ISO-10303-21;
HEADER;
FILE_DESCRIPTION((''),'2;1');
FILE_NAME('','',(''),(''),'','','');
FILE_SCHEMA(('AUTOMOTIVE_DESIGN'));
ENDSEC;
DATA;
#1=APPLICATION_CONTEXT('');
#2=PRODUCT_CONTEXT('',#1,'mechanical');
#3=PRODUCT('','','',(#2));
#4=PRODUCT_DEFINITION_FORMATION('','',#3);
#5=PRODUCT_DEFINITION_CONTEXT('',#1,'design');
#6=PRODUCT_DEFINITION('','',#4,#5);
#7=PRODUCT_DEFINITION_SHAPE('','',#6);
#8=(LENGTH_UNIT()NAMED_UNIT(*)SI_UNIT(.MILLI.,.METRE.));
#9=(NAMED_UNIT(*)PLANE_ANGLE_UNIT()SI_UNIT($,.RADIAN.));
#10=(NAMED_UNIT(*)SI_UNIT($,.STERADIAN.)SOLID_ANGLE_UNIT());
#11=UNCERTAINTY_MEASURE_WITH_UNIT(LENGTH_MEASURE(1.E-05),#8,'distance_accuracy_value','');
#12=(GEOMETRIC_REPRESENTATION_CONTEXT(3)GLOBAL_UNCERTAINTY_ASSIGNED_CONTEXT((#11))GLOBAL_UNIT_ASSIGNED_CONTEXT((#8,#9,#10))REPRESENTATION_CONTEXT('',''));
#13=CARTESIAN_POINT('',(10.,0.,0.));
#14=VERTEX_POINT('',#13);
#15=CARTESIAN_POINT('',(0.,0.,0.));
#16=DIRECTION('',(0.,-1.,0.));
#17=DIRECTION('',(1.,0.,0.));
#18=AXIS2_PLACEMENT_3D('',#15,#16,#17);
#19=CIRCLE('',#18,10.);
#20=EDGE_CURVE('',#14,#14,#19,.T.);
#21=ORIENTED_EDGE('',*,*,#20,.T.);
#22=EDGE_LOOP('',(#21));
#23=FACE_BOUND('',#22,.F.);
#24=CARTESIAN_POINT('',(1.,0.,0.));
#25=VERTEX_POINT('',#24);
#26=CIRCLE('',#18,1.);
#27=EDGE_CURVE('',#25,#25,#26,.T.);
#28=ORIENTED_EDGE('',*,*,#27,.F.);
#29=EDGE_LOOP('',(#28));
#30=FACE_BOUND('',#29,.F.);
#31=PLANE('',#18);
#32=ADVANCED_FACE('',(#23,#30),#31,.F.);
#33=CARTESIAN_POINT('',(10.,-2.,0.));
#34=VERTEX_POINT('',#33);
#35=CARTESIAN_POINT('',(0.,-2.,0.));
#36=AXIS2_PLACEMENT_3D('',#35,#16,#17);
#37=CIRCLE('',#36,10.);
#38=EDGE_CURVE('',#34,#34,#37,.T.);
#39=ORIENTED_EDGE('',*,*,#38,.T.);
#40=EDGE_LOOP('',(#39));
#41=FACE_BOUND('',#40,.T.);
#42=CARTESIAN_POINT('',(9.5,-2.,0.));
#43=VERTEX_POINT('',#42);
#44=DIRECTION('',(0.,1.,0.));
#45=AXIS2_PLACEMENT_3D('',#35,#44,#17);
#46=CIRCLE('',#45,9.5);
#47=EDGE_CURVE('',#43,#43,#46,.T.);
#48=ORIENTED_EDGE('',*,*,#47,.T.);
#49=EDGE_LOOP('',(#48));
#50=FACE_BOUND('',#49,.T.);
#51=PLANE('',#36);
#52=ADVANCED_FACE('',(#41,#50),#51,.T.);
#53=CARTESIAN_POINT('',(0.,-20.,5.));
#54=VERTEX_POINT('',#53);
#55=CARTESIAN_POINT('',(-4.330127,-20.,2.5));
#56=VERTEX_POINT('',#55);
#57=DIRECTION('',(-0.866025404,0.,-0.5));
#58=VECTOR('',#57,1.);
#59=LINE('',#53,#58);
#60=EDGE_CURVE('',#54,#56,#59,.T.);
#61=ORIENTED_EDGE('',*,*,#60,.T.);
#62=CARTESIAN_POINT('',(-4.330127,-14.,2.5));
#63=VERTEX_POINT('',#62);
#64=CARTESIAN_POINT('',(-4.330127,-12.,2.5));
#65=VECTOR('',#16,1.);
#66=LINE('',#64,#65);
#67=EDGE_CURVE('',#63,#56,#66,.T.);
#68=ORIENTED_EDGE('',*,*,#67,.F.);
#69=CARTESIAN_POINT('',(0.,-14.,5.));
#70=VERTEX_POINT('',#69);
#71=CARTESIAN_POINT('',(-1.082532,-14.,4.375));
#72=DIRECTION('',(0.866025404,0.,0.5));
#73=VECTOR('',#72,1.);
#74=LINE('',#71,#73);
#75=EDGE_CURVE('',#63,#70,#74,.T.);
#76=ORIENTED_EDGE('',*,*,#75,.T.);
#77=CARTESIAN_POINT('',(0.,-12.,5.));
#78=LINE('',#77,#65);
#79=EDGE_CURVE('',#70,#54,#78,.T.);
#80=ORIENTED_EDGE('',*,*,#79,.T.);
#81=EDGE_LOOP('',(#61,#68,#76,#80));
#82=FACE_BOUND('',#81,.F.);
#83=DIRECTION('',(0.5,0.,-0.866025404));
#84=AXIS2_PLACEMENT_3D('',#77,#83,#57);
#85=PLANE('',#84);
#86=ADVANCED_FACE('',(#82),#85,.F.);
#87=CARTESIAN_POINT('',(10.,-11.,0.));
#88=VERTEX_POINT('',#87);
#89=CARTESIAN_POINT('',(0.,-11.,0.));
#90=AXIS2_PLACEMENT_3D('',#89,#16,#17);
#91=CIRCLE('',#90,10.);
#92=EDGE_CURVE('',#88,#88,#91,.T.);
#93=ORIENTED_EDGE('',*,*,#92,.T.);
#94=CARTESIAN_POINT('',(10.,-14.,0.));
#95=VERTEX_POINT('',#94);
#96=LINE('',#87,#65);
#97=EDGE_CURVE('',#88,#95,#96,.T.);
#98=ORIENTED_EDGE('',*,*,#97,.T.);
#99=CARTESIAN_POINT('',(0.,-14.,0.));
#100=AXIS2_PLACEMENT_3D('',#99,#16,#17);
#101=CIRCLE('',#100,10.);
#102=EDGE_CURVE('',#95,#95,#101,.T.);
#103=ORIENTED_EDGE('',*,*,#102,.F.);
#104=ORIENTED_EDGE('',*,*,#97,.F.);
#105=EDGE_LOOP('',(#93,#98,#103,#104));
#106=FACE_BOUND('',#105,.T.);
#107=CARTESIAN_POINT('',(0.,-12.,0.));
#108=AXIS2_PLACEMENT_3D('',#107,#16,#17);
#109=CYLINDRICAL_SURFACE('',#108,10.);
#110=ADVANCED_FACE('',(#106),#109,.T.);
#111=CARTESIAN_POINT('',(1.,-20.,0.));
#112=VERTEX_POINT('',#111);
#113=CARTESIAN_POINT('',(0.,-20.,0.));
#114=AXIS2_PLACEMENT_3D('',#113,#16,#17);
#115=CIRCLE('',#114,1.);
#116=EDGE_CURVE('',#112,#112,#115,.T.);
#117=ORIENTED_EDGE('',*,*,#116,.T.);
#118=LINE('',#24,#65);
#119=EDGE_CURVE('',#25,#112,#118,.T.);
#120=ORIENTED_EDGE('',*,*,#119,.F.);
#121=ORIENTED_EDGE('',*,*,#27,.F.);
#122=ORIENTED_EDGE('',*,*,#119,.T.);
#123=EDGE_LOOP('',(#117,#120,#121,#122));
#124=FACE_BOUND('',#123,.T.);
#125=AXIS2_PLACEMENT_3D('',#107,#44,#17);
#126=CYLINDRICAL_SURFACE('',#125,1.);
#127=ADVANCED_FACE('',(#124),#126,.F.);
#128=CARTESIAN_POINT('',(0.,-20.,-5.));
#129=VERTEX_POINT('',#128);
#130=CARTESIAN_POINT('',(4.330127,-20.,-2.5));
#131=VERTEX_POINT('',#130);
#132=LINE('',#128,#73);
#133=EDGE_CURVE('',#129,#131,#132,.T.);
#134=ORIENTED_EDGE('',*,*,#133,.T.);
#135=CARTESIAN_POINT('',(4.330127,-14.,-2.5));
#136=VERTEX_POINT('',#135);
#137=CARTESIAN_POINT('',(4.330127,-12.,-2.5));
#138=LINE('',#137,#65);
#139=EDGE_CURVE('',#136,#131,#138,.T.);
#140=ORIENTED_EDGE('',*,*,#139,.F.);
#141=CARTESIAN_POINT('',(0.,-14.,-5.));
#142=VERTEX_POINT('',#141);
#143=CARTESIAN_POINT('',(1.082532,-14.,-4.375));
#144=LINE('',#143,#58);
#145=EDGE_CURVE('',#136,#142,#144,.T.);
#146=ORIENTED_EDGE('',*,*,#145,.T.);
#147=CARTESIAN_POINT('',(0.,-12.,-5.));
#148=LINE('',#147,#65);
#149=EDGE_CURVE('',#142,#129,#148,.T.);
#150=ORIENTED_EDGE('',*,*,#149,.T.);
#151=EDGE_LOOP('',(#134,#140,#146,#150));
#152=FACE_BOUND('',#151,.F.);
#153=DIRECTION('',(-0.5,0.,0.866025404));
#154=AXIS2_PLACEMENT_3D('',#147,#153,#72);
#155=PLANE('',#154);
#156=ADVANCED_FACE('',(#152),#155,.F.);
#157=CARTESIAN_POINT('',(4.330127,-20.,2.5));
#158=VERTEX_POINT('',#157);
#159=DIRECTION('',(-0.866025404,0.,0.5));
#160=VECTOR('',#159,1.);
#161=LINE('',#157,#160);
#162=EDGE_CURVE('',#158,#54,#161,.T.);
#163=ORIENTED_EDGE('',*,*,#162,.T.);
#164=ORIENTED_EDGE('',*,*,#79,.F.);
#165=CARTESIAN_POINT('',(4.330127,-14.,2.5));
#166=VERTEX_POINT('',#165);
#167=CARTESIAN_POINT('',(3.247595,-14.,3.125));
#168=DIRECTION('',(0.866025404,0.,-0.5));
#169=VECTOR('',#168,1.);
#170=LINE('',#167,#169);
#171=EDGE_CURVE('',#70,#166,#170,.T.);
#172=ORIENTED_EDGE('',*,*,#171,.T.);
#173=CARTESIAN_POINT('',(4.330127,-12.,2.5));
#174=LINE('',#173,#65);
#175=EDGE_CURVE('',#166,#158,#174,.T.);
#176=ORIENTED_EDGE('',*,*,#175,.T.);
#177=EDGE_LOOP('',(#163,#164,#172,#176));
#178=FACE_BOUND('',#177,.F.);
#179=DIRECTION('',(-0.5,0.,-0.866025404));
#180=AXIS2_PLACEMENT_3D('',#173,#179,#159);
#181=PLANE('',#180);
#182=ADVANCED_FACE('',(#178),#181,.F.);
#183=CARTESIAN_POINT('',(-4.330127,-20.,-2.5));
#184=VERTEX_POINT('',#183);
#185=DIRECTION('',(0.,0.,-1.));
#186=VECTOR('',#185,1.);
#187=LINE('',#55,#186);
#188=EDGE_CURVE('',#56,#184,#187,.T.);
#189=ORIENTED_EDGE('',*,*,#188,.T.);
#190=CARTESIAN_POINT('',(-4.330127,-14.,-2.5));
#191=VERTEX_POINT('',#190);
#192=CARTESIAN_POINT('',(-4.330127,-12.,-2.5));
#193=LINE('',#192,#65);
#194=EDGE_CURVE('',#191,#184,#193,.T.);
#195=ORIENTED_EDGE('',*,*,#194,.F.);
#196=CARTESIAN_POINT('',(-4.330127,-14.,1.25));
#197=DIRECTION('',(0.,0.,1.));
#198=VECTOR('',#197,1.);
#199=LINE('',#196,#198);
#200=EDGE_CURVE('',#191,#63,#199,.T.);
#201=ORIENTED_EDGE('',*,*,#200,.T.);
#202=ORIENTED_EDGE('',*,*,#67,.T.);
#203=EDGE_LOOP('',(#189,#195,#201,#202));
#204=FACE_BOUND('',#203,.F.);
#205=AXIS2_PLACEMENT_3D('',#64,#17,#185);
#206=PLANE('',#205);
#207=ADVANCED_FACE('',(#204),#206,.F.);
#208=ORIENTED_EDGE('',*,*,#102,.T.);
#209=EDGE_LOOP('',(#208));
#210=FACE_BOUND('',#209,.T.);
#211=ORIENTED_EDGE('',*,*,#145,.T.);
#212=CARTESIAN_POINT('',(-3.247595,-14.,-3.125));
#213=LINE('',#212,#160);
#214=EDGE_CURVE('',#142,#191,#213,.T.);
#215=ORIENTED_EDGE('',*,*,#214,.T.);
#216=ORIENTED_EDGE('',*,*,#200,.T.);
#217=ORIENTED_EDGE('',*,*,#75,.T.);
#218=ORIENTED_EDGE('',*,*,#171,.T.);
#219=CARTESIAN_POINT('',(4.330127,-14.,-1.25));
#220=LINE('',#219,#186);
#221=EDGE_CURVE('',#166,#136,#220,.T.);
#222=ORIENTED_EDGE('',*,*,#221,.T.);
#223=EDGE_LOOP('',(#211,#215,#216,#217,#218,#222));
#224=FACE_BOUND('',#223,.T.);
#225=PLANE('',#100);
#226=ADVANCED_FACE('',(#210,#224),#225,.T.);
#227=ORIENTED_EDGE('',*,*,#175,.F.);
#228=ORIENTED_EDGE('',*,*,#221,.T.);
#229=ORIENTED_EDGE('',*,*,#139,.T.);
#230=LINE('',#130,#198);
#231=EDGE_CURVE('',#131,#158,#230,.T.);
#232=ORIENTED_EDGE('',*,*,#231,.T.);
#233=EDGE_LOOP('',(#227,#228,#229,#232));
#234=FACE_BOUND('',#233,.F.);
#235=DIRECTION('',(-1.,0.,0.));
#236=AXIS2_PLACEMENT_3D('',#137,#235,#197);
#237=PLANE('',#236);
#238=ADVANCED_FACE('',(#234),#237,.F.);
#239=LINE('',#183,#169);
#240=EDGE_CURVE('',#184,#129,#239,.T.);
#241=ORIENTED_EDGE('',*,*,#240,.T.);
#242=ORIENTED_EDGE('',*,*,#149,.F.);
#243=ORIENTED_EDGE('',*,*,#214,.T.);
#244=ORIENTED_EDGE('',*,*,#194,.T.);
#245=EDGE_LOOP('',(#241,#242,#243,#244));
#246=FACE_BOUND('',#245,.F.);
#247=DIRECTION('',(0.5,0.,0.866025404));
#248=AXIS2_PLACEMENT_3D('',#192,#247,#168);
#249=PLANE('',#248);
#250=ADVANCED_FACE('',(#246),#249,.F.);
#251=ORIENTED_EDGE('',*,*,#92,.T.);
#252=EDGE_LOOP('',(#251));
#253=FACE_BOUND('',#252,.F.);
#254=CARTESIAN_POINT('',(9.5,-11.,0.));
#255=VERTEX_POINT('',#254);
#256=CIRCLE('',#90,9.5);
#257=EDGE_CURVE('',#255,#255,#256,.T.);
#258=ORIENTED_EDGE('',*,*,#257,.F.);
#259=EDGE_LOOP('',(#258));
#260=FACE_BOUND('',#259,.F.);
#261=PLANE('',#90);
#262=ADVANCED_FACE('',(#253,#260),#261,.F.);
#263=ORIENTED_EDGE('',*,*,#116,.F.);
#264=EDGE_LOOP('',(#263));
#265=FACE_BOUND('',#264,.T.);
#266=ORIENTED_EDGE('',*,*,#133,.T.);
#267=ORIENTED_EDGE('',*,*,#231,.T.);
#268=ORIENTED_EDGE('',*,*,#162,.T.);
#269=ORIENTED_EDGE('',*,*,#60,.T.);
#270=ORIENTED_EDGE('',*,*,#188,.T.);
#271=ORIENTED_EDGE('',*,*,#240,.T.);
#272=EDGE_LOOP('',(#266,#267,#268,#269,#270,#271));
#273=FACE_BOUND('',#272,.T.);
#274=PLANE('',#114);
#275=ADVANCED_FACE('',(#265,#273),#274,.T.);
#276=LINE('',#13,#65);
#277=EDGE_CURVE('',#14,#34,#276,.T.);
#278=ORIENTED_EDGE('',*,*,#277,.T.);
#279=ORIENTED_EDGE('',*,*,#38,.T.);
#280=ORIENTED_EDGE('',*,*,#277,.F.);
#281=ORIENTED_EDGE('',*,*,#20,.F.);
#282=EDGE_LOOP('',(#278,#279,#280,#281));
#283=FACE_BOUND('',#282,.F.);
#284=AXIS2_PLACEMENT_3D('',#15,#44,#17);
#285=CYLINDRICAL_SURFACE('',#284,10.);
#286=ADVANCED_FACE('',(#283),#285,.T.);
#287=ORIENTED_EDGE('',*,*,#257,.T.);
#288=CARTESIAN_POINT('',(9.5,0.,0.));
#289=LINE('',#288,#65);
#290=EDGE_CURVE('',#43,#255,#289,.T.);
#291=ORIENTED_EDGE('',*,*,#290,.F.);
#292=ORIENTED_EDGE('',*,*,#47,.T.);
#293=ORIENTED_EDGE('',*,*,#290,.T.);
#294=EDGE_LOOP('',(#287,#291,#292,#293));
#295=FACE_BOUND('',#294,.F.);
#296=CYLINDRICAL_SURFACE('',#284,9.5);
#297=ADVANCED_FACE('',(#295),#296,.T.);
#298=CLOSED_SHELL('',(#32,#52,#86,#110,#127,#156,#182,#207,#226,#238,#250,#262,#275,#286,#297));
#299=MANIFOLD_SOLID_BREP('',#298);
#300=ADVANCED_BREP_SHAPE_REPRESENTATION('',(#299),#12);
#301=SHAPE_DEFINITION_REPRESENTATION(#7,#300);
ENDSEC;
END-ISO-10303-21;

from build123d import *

# Parameters (mm, degrees)
F0_R     = 10
F0_R_2   = 9.5
F0_R_3   = 1
F1_DEPTH = 2
F2_DEPTH = 12
F3_R     = 10
F3_R_2   = 9.5
F3_R_3   = 1
F4_DEPTH = 2
F5_DEPTH = 8
F6_DEPTH = 20
F7_DEPTH = 1


with BuildPart() as f1:
    # F0 (on Front) → F1 (new body)
    with BuildSketch(Plane.XZ):
        Circle(F0_R)
        Circle(F0_R_2, mode=Mode.SUBTRACT)
        Circle(F0_R_2)
        with BuildLine():
            ThreePointArc((4.3301270189, 2.5), (4.8296291314, 1.2940952255), (5, 0))
            ThreePointArc((5, 0), (4.8296291314, -1.2940952255), (4.3301270189, -2.5))
            ThreePointArc((4.3301270189, -2.5), (2.5, -4.3301270189), (0, -5))
            ThreePointArc((0, -5), (-2.5, -4.3301270189), (-4.3301270189, -2.5))
            ThreePointArc((-4.3301270189, -2.5), (-5, 0), (-4.3301270189, 2.5))
            ThreePointArc((-4.3301270189, 2.5), (-2.5, 4.3301270189), (0, 5))
            ThreePointArc((0, 5), (2.5, 4.3301270189), (4.3301270189, 2.5))
        make_face(mode=Mode.SUBTRACT)
        with BuildLine():
            Line((0, 5), (4.3301270189, 2.5))
            ThreePointArc((4.3301270189, 2.5), (2.5, 4.3301270189), (0, 5))
        make_face()
        with BuildLine():
            Line((-4.3301270189, 2.5), (0, 5))
            ThreePointArc((0, 5), (-2.5, 4.3301270189), (-4.3301270189, 2.5))
        make_face()
        with BuildLine():
            Line((-4.3301270189, -2.5), (-4.3301270189, 2.5))
            ThreePointArc((-4.3301270189, 2.5), (-5, 0), (-4.3301270189, -2.5))
        make_face()
        with BuildLine():
            ThreePointArc((-4.3301270189, -2.5), (-2.5, -4.3301270189), (0, -5))
            Line((0, -5), (-4.3301270189, -2.5))
        make_face()
        with BuildLine():
            ThreePointArc((0, -5), (2.5, -4.3301270189), (4.3301270189, -2.5))
            Line((4.3301270189, -2.5), (0, -5))
        make_face()
        Polygon((4.3301270189, -2.5), (4.3301270189, 2.5), (0, 5), (-4.3301270189, 2.5), (-4.3301270189, -2.5), (0, -5), align=None)
        Circle(F0_R_3, mode=Mode.SUBTRACT)
        with BuildLine():
            ThreePointArc((4.3301270189, -2.5), (4.8296291314, -1.2940952255), (5, 0))
            ThreePointArc((5, 0), (4.8296291314, 1.2940952255), (4.3301270189, 2.5))
            Line((4.3301270189, 2.5), (4.3301270189, -2.5))
        make_face()
    extrude(amount=F1_DEPTH)

    # F0 (on Front) → F2 (join)
    with BuildSketch(Plane.XZ):
        Circle(F0_R_2)
        with BuildLine():
            ThreePointArc((4.3301270189, 2.5), (4.8296291314, 1.2940952255), (5, 0))
            ThreePointArc((5, 0), (4.8296291314, -1.2940952255), (4.3301270189, -2.5))
            ThreePointArc((4.3301270189, -2.5), (2.5, -4.3301270189), (0, -5))
            ThreePointArc((0, -5), (-2.5, -4.3301270189), (-4.3301270189, -2.5))
            ThreePointArc((-4.3301270189, -2.5), (-5, 0), (-4.3301270189, 2.5))
            ThreePointArc((-4.3301270189, 2.5), (-2.5, 4.3301270189), (0, 5))
            ThreePointArc((0, 5), (2.5, 4.3301270189), (4.3301270189, 2.5))
        make_face(mode=Mode.SUBTRACT)
        Polygon((4.3301270189, -2.5), (4.3301270189, 2.5), (0, 5), (-4.3301270189, 2.5), (-4.3301270189, -2.5), (0, -5), align=None)
        Circle(F0_R_3, mode=Mode.SUBTRACT)
        with BuildLine():
            Line((-4.3301270189, 2.5), (0, 5))
            ThreePointArc((0, 5), (-2.5, 4.3301270189), (-4.3301270189, 2.5))
        make_face()
        with BuildLine():
            Line((0, 5), (4.3301270189, 2.5))
            ThreePointArc((4.3301270189, 2.5), (2.5, 4.3301270189), (0, 5))
        make_face()
        with BuildLine():
            ThreePointArc((4.3301270189, -2.5), (4.8296291314, -1.2940952255), (5, 0))
            ThreePointArc((5, 0), (4.8296291314, 1.2940952255), (4.3301270189, 2.5))
            Line((4.3301270189, 2.5), (4.3301270189, -2.5))
        make_face()
        with BuildLine():
            Line((-4.3301270189, -2.5), (-4.3301270189, 2.5))
            ThreePointArc((-4.3301270189, 2.5), (-5, 0), (-4.3301270189, -2.5))
        make_face()
        with BuildLine():
            ThreePointArc((-4.3301270189, -2.5), (-2.5, -4.3301270189), (0, -5))
            Line((0, -5), (-4.3301270189, -2.5))
        make_face()
        with BuildLine():
            ThreePointArc((0, -5), (2.5, -4.3301270189), (4.3301270189, -2.5))
            Line((4.3301270189, -2.5), (0, -5))
        make_face()
    extrude(amount=F2_DEPTH)



with BuildPart() as f4:
    # F3 (on face) → F4 (new body)
    with BuildSketch(Plane.XZ.offset(12)):
        Circle(F3_R)
        Circle(F3_R_2, mode=Mode.SUBTRACT)
        Circle(F3_R_2)
        with BuildLine():
            ThreePointArc((4.3301270189, 2.5), (4.8296291314, 1.2940952255), (5, 0))
            ThreePointArc((5, 0), (4.8296291314, -1.2940952255), (4.3301270189, -2.5))
            ThreePointArc((4.3301270189, -2.5), (2.5, -4.3301270189), (0, -5))
            ThreePointArc((0, -5), (-2.5, -4.3301270189), (-4.3301270189, -2.5))
            ThreePointArc((-4.3301270189, -2.5), (-5, 0), (-4.3301270189, 2.5))
            ThreePointArc((-4.3301270189, 2.5), (-2.5, 4.3301270189), (0, 5))
            ThreePointArc((0, 5), (2.5, 4.3301270189), (4.3301270189, 2.5))
        make_face(mode=Mode.SUBTRACT)
        with BuildLine():
            Line((-4.3301270189, 2.5), (0, 5))
            ThreePointArc((0, 5), (-2.5, 4.3301270189), (-4.3301270189, 2.5))
        make_face()
        with BuildLine():
            Line((-4.3301270189, -2.5), (-4.3301270189, 2.5))
            ThreePointArc((-4.3301270189, 2.5), (-5, 0), (-4.3301270189, -2.5))
        make_face()
        with BuildLine():
            Line((0, 5), (4.3301270189, 2.5))
            ThreePointArc((4.3301270189, 2.5), (2.5, 4.3301270189), (0, 5))
        make_face()
        Polygon((4.3301270189, -2.5), (4.3301270189, 2.5), (0, 5), (-4.3301270189, 2.5), (-4.3301270189, -2.5), (0, -5), align=None)
        Circle(F3_R_3, mode=Mode.SUBTRACT)
        with BuildLine():
            ThreePointArc((4.3301270189, -2.5), (4.8296291314, -1.2940952255), (5, 0))
            ThreePointArc((5, 0), (4.8296291314, 1.2940952255), (4.3301270189, 2.5))
            Line((4.3301270189, 2.5), (4.3301270189, -2.5))
        make_face()
        with BuildLine():
            ThreePointArc((0, -5), (2.5, -4.3301270189), (4.3301270189, -2.5))
            Line((4.3301270189, -2.5), (0, -5))
        make_face()
        with BuildLine():
            ThreePointArc((-4.3301270189, -2.5), (-2.5, -4.3301270189), (0, -5))
            Line((0, -5), (-4.3301270189, -2.5))
        make_face()
    extrude(amount=F4_DEPTH)


with BuildPart() as f1_1:
    add(f1.part)

    add(f4.part)  # F5 merges F4
    # F3 (on face) → F5 (join)
    with BuildSketch(Plane.XZ.offset(12)):
        Polygon((4.3301270189, -2.5), (4.3301270189, 2.5), (0, 5), (-4.3301270189, 2.5), (-4.3301270189, -2.5), (0, -5), align=None)
        Circle(F3_R_3, mode=Mode.SUBTRACT)
    extrude(amount=F5_DEPTH)

    # F3 (on face) → F6 (cut)
    with BuildSketch(Plane.XZ.offset(12)):
        Circle(F3_R_3)
    extrude(amount=F6_DEPTH, mode=Mode.SUBTRACT)

    # F3 (on face) → F7 (join)
    with BuildSketch(Plane.XZ.offset(12)):
        Circle(F3_R)
        Circle(F3_R_2, mode=Mode.SUBTRACT)
    extrude(amount=-F7_DEPTH)


solid = f1_1.part
